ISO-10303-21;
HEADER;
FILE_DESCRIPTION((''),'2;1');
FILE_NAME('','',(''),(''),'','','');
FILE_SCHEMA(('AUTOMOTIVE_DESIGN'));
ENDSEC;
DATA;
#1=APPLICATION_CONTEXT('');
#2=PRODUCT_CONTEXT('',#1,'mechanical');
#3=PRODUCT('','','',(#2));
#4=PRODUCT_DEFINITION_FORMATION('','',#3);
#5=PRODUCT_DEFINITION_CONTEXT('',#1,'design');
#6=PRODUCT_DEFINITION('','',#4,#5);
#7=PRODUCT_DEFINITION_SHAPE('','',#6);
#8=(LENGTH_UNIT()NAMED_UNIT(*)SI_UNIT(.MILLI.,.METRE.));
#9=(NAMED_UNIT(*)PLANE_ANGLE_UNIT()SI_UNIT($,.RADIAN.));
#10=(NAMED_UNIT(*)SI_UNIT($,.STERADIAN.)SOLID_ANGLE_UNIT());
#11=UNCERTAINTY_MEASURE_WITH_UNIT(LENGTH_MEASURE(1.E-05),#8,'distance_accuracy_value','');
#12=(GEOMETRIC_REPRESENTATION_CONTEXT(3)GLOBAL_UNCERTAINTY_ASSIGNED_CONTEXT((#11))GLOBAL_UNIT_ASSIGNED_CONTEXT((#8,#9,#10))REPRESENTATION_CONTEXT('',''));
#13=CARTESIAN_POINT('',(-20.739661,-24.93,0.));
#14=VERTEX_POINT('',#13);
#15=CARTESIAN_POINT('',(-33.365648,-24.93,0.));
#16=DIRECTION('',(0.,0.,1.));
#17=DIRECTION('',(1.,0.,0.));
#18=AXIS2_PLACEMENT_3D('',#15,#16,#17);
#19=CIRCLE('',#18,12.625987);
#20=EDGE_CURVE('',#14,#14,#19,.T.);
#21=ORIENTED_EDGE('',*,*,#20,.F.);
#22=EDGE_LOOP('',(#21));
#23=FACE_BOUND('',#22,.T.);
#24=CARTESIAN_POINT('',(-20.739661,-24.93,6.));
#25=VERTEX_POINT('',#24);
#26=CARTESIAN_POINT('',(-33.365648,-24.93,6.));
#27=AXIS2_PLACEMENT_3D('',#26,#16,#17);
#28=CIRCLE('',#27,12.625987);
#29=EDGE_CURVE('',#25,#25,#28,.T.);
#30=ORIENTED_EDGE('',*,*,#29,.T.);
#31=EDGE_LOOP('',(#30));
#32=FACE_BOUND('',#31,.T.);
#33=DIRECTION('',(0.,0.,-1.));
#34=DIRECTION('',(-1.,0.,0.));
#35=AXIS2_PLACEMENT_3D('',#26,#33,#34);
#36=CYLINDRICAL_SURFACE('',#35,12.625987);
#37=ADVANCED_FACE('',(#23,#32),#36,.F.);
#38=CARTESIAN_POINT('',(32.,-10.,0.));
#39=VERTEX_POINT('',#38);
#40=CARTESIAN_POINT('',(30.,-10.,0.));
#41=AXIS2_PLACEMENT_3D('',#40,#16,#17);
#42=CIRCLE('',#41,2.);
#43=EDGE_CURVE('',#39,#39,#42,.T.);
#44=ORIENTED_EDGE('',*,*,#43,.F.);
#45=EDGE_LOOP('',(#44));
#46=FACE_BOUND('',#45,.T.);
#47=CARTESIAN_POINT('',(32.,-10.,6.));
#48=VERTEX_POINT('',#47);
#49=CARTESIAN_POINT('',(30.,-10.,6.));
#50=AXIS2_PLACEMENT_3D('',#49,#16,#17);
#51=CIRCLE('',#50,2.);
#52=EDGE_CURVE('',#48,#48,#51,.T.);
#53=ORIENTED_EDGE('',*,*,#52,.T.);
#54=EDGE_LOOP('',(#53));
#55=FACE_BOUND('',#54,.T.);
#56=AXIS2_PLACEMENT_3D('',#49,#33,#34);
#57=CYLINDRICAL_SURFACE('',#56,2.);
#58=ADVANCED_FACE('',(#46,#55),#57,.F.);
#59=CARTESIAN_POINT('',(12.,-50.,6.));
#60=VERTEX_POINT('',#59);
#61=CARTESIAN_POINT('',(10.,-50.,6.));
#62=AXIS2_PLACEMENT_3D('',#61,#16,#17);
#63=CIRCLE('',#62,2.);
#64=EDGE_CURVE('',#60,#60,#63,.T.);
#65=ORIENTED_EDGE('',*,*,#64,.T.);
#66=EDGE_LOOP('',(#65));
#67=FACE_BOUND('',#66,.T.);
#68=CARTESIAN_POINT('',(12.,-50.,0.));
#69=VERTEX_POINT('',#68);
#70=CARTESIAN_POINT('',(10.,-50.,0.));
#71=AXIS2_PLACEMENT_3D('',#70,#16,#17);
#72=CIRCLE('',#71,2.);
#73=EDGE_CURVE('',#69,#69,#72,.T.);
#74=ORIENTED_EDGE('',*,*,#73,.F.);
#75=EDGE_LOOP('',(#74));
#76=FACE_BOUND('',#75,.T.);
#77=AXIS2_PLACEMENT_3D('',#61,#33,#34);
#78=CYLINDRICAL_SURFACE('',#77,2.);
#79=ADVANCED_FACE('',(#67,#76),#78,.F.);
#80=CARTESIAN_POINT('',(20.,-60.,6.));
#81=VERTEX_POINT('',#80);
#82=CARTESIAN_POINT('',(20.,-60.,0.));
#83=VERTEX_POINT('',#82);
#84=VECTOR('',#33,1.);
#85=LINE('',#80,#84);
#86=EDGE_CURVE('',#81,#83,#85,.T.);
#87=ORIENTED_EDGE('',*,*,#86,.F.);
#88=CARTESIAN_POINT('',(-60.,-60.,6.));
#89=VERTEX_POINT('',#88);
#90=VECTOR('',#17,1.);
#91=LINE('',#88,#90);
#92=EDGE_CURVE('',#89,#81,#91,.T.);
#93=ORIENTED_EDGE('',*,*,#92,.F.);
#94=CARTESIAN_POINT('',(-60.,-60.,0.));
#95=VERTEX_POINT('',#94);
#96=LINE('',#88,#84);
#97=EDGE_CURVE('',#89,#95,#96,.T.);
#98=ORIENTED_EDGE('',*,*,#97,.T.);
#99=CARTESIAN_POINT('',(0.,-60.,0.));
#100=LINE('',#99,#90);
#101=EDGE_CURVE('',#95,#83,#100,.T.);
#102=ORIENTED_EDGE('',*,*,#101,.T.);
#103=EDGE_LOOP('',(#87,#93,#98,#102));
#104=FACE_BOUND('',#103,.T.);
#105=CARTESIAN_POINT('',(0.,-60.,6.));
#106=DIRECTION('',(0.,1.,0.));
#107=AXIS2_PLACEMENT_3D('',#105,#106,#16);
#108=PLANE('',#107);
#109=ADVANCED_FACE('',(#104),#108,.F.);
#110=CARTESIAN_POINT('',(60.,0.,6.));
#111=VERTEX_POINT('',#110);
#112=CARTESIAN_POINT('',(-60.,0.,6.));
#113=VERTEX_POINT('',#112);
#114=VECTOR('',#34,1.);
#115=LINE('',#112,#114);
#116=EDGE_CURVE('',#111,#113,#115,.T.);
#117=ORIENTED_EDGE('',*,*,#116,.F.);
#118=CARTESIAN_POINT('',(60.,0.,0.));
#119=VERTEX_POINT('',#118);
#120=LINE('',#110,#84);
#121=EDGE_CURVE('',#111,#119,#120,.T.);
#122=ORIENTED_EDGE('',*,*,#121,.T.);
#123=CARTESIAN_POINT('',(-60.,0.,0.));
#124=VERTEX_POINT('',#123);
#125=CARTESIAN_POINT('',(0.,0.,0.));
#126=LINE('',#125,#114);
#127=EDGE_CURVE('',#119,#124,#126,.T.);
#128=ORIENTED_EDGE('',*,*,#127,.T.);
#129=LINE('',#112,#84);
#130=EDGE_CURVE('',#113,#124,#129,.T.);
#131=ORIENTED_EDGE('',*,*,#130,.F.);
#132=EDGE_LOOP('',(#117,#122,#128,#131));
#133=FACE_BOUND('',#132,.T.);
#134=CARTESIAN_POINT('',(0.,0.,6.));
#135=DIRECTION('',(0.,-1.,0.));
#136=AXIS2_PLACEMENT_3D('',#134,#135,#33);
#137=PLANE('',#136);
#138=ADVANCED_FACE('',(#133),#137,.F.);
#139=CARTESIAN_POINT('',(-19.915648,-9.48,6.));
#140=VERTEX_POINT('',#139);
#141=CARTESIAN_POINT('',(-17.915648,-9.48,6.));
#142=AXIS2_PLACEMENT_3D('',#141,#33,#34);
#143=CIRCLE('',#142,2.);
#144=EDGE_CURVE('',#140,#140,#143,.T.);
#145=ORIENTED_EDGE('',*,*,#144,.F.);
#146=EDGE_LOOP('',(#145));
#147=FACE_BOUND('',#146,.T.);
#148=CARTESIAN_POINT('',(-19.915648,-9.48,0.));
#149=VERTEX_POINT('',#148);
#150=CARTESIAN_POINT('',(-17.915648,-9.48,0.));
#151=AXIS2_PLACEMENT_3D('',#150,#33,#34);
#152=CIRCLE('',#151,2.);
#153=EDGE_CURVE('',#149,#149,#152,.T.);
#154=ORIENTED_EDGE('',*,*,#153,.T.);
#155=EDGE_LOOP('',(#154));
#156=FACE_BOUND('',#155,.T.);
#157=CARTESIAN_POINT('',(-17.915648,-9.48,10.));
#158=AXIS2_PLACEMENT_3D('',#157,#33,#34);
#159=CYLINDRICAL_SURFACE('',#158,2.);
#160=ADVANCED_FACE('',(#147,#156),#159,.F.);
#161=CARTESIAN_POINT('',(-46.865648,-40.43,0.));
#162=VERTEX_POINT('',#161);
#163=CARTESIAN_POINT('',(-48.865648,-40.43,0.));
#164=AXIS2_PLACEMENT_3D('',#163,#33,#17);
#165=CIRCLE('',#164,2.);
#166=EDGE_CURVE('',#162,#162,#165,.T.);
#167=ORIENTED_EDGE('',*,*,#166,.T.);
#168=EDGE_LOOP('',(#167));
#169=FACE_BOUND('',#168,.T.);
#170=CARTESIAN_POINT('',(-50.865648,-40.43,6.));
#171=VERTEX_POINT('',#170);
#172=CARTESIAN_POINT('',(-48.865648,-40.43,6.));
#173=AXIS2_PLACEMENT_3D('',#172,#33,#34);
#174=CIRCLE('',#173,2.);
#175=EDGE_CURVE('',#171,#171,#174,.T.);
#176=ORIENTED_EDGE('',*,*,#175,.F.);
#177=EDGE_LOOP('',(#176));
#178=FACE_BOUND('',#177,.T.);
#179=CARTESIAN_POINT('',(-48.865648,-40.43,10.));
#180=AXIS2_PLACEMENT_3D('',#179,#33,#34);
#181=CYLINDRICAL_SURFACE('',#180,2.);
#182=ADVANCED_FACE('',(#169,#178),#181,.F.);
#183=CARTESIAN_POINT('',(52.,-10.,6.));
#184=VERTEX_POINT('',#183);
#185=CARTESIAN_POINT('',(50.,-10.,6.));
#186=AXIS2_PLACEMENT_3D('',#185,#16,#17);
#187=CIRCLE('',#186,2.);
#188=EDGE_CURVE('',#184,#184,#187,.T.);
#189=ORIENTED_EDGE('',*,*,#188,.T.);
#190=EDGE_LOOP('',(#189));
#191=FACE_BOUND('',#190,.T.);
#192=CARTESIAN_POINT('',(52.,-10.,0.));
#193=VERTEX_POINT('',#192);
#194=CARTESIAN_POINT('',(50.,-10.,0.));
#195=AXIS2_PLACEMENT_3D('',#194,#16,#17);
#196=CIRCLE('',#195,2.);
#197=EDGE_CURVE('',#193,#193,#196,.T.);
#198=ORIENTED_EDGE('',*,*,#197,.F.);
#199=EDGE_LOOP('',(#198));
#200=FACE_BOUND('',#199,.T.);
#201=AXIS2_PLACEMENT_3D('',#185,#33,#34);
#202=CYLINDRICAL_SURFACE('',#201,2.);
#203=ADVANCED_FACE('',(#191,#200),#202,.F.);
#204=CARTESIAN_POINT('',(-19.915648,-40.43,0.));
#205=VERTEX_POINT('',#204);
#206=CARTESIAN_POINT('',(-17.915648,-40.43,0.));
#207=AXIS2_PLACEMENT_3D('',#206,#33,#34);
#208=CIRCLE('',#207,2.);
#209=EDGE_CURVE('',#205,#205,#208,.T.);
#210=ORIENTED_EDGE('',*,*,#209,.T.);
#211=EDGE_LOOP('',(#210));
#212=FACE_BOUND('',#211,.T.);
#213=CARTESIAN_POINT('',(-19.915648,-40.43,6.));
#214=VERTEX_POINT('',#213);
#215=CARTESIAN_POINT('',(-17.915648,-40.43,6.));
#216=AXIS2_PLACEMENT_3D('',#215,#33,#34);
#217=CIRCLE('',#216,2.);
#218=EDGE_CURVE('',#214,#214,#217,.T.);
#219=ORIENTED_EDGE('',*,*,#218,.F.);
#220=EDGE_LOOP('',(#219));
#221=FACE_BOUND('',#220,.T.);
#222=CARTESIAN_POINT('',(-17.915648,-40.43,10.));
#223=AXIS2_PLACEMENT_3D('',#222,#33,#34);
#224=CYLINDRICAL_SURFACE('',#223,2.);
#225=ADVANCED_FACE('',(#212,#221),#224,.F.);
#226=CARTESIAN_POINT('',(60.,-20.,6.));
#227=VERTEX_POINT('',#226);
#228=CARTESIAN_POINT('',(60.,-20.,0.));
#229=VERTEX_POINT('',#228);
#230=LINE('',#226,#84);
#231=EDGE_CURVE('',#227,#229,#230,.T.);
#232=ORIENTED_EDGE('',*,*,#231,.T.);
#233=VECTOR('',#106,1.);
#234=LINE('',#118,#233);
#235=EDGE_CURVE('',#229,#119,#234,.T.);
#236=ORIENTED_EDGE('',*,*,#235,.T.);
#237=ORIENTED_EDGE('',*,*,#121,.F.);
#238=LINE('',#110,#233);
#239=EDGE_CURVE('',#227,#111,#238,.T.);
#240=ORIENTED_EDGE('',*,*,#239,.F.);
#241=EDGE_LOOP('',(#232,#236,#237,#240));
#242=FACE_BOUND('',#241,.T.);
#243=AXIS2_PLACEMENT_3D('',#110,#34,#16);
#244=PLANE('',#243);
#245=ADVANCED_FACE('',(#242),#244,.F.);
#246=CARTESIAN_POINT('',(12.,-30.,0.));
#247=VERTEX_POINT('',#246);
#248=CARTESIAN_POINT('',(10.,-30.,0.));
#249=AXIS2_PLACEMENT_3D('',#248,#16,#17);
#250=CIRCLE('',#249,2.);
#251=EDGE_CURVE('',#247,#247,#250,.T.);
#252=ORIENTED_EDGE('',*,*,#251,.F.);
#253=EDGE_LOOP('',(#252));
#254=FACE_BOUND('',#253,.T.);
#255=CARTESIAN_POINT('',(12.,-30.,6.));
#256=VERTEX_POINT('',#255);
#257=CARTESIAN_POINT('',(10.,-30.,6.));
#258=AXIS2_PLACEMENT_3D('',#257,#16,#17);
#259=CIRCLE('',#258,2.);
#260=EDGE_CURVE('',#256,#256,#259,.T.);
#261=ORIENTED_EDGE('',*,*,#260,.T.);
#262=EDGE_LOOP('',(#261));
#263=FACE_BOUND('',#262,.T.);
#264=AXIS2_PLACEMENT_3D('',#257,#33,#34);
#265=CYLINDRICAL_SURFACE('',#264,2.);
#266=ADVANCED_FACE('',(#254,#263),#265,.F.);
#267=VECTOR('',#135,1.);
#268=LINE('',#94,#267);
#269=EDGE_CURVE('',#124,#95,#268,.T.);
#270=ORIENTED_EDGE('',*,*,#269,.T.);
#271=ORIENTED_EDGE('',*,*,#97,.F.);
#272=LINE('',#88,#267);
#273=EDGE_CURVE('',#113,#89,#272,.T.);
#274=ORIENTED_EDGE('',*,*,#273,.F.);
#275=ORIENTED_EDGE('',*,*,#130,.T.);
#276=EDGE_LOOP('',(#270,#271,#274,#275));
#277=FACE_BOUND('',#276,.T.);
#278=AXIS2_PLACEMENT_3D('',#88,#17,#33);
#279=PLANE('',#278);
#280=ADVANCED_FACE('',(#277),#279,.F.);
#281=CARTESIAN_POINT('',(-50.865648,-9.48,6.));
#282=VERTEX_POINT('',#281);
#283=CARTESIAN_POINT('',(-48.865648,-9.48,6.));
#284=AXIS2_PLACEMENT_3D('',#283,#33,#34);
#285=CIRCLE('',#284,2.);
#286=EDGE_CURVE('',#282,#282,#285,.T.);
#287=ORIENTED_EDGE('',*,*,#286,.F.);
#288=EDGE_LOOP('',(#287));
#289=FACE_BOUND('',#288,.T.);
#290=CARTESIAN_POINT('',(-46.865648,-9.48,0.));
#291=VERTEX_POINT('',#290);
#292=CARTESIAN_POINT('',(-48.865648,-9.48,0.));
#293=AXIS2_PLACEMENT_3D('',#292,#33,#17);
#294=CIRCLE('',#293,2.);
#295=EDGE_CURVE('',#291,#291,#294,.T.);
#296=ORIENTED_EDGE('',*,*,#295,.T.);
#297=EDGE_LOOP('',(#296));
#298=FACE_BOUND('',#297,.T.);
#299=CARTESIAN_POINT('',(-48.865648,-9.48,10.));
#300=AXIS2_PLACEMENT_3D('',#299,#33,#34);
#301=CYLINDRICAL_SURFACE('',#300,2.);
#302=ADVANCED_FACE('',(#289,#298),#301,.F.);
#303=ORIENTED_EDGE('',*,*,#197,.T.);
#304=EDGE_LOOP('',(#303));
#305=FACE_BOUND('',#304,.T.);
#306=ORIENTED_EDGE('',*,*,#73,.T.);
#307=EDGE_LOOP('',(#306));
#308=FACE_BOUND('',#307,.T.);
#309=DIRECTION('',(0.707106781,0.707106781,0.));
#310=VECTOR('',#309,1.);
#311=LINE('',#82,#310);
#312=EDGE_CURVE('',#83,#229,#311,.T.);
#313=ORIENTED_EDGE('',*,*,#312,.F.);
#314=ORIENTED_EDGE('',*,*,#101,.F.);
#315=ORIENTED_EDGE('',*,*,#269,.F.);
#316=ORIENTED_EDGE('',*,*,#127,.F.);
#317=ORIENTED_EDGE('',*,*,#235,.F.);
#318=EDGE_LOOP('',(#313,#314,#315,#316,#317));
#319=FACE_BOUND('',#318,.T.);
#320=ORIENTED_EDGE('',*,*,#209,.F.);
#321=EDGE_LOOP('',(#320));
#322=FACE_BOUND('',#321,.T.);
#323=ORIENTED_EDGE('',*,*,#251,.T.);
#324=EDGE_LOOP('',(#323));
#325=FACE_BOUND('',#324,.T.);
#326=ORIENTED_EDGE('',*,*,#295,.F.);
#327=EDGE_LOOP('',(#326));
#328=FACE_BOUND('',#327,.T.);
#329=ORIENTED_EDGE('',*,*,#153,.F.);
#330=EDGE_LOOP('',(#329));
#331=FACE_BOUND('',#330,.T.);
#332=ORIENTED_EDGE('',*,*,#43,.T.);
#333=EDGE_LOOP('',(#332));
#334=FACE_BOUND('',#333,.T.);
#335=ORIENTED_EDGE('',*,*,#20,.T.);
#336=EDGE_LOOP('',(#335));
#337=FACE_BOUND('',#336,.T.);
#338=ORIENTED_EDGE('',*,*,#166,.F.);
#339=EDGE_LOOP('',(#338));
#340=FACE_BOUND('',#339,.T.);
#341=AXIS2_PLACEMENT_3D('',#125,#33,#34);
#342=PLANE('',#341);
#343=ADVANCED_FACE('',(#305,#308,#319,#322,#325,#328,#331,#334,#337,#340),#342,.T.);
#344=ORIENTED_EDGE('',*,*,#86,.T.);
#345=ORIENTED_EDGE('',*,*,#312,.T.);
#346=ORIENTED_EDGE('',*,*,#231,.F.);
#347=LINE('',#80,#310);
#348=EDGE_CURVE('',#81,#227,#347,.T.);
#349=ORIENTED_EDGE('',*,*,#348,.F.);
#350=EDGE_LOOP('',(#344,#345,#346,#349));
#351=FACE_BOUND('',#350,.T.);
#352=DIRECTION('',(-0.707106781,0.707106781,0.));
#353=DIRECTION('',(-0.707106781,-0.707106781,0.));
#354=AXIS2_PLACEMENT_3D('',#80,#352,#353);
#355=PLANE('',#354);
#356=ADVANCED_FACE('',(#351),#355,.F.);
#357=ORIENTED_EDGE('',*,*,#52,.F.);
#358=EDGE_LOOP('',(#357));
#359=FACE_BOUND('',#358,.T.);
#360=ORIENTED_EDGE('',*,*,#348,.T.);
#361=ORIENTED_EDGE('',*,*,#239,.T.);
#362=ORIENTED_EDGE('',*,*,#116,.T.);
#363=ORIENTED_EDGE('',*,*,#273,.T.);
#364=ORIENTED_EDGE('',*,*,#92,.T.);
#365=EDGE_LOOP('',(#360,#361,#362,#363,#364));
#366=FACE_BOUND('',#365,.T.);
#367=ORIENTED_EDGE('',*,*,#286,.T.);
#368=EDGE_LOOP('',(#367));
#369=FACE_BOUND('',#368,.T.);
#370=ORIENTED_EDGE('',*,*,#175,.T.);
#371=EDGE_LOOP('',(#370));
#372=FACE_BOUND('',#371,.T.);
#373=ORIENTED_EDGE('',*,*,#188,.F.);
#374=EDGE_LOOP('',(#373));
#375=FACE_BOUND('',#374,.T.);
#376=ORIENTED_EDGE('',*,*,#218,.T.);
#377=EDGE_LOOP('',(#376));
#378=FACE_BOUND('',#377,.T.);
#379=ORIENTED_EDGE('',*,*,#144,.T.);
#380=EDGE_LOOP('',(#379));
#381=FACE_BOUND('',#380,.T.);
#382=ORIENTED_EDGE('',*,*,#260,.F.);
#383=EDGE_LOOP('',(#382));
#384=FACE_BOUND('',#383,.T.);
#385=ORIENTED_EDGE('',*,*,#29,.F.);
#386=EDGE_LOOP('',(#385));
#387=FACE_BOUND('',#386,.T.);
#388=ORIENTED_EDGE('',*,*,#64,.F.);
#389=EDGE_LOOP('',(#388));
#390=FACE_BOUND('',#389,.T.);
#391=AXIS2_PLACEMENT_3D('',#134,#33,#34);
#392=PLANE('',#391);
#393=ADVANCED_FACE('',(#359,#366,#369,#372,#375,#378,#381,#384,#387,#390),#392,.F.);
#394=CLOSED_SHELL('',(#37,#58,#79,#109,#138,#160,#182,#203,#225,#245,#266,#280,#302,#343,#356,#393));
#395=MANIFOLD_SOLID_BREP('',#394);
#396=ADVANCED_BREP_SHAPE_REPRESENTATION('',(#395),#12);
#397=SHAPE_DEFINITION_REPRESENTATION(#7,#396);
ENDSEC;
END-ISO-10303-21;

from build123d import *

# Parameters (mm, degrees)
SKETCH1_R           = 2
SKETCH1_R_2         = 12.625986588
BOSS_EXTRUDE1_DEPTH = 6
SKETCH2_R           = 2
CUT_EXTRUDE1_DEPTH  = 10


with BuildPart() as part:
    # Sketch1 → Boss-Extrude1 (new body)
    with BuildSketch(Plane.XY):
        Polygon((20, -60), (60, -20), (60, 0), (0, 0), (-60, 0), (-60, -60), (0, -60), align=None)
        with Locations((50, -10)):
            Circle(SKETCH1_R, mode=Mode.SUBTRACT)
        with Locations((30, -10)):
            Circle(SKETCH1_R, mode=Mode.SUBTRACT)
        with Locations((10, -50)):
            Circle(SKETCH1_R, mode=Mode.SUBTRACT)
        with Locations((10, -30)):
            Circle(SKETCH1_R, mode=Mode.SUBTRACT)
        with Locations((-33.365647648, -24.93)):
            Circle(SKETCH1_R_2, mode=Mode.SUBTRACT)
    extrude(amount=BOSS_EXTRUDE1_DEPTH)

    # Sketch2 → Cut-Extrude1 (cut)
    with BuildSketch(Plane(origin=(0, 0, 0), x_dir=(-1, 0, 0), z_dir=(0, 0, -1))):
        with Locations((17.915647648, -9.48)):
            Circle(SKETCH2_R)
        with Locations((17.915647648, -40.43)):
            Circle(SKETCH2_R)
        with Locations((48.865647648, -9.48)):
            Circle(SKETCH2_R)
        with Locations((48.865647648, -40.43)):
            Circle(SKETCH2_R)
    extrude(amount=-CUT_EXTRUDE1_DEPTH, mode=Mode.SUBTRACT)


solid = part.part
